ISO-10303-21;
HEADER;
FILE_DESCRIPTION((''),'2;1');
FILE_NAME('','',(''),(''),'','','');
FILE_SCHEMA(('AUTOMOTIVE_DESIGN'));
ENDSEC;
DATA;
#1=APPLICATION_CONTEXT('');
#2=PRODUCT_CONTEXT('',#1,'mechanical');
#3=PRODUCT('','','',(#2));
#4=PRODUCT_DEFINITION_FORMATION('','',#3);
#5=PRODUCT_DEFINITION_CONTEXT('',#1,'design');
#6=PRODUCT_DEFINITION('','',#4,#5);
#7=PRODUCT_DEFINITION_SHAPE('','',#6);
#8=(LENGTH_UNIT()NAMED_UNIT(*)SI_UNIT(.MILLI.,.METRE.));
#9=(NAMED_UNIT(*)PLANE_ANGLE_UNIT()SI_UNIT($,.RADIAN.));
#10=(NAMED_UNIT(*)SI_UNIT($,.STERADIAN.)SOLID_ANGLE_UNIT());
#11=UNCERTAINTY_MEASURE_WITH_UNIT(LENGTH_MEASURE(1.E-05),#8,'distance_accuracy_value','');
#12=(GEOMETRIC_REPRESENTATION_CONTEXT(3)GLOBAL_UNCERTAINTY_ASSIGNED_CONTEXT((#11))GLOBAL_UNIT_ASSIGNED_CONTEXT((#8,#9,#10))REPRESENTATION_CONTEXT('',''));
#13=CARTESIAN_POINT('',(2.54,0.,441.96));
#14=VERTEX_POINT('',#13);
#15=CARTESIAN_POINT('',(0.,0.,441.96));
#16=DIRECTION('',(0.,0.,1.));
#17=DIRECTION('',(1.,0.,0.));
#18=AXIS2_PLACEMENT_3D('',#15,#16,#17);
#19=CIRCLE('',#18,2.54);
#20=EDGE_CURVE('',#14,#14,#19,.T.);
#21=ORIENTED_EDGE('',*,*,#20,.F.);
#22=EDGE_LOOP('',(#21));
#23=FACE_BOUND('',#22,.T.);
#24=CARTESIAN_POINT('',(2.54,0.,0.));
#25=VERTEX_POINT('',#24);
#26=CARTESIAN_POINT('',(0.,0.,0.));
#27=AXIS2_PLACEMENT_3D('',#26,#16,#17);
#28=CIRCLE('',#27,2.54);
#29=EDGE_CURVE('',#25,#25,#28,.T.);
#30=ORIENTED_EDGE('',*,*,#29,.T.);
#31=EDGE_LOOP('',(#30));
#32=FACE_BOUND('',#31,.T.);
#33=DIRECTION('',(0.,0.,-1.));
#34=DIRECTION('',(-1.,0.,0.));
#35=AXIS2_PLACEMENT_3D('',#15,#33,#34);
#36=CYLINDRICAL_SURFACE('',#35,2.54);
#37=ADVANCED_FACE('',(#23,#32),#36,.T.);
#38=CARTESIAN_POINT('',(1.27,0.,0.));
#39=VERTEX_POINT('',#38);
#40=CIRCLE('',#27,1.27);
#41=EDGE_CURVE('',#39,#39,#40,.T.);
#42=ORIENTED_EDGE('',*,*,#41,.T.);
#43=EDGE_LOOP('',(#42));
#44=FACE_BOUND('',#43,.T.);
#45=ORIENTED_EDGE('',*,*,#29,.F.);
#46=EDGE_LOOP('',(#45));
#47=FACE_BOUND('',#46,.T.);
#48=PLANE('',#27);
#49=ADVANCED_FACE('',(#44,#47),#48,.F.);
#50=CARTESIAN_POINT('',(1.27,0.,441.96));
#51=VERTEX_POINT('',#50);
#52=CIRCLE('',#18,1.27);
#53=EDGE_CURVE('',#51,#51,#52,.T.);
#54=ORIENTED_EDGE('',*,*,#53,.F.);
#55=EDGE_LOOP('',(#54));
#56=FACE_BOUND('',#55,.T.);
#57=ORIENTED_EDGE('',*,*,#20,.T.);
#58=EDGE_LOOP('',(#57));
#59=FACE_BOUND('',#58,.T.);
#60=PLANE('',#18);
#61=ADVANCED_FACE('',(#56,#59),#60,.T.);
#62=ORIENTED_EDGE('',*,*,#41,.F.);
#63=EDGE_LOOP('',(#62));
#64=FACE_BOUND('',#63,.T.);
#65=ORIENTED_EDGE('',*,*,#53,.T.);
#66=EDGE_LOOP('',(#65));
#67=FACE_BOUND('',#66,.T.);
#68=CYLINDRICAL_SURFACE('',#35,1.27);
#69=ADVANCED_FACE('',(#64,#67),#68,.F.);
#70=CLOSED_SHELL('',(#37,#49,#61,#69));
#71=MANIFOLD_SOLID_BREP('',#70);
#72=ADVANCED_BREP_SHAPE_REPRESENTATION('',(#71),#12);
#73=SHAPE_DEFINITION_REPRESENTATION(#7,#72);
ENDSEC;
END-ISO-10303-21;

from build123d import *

# Parameters (mm, degrees)
SKETCH2_R           = 2.54
SKETCH2_R_2         = 1.27
BOSS_EXTRUDE1_DEPTH = 441.96


with BuildPart() as part:
    # Sketch2 → Boss-Extrude1 (new body)
    with BuildSketch(Plane.XY):
        Circle(SKETCH2_R)
        Circle(SKETCH2_R_2, mode=Mode.SUBTRACT)
    extrude(amount=BOSS_EXTRUDE1_DEPTH)


solid = part.part
